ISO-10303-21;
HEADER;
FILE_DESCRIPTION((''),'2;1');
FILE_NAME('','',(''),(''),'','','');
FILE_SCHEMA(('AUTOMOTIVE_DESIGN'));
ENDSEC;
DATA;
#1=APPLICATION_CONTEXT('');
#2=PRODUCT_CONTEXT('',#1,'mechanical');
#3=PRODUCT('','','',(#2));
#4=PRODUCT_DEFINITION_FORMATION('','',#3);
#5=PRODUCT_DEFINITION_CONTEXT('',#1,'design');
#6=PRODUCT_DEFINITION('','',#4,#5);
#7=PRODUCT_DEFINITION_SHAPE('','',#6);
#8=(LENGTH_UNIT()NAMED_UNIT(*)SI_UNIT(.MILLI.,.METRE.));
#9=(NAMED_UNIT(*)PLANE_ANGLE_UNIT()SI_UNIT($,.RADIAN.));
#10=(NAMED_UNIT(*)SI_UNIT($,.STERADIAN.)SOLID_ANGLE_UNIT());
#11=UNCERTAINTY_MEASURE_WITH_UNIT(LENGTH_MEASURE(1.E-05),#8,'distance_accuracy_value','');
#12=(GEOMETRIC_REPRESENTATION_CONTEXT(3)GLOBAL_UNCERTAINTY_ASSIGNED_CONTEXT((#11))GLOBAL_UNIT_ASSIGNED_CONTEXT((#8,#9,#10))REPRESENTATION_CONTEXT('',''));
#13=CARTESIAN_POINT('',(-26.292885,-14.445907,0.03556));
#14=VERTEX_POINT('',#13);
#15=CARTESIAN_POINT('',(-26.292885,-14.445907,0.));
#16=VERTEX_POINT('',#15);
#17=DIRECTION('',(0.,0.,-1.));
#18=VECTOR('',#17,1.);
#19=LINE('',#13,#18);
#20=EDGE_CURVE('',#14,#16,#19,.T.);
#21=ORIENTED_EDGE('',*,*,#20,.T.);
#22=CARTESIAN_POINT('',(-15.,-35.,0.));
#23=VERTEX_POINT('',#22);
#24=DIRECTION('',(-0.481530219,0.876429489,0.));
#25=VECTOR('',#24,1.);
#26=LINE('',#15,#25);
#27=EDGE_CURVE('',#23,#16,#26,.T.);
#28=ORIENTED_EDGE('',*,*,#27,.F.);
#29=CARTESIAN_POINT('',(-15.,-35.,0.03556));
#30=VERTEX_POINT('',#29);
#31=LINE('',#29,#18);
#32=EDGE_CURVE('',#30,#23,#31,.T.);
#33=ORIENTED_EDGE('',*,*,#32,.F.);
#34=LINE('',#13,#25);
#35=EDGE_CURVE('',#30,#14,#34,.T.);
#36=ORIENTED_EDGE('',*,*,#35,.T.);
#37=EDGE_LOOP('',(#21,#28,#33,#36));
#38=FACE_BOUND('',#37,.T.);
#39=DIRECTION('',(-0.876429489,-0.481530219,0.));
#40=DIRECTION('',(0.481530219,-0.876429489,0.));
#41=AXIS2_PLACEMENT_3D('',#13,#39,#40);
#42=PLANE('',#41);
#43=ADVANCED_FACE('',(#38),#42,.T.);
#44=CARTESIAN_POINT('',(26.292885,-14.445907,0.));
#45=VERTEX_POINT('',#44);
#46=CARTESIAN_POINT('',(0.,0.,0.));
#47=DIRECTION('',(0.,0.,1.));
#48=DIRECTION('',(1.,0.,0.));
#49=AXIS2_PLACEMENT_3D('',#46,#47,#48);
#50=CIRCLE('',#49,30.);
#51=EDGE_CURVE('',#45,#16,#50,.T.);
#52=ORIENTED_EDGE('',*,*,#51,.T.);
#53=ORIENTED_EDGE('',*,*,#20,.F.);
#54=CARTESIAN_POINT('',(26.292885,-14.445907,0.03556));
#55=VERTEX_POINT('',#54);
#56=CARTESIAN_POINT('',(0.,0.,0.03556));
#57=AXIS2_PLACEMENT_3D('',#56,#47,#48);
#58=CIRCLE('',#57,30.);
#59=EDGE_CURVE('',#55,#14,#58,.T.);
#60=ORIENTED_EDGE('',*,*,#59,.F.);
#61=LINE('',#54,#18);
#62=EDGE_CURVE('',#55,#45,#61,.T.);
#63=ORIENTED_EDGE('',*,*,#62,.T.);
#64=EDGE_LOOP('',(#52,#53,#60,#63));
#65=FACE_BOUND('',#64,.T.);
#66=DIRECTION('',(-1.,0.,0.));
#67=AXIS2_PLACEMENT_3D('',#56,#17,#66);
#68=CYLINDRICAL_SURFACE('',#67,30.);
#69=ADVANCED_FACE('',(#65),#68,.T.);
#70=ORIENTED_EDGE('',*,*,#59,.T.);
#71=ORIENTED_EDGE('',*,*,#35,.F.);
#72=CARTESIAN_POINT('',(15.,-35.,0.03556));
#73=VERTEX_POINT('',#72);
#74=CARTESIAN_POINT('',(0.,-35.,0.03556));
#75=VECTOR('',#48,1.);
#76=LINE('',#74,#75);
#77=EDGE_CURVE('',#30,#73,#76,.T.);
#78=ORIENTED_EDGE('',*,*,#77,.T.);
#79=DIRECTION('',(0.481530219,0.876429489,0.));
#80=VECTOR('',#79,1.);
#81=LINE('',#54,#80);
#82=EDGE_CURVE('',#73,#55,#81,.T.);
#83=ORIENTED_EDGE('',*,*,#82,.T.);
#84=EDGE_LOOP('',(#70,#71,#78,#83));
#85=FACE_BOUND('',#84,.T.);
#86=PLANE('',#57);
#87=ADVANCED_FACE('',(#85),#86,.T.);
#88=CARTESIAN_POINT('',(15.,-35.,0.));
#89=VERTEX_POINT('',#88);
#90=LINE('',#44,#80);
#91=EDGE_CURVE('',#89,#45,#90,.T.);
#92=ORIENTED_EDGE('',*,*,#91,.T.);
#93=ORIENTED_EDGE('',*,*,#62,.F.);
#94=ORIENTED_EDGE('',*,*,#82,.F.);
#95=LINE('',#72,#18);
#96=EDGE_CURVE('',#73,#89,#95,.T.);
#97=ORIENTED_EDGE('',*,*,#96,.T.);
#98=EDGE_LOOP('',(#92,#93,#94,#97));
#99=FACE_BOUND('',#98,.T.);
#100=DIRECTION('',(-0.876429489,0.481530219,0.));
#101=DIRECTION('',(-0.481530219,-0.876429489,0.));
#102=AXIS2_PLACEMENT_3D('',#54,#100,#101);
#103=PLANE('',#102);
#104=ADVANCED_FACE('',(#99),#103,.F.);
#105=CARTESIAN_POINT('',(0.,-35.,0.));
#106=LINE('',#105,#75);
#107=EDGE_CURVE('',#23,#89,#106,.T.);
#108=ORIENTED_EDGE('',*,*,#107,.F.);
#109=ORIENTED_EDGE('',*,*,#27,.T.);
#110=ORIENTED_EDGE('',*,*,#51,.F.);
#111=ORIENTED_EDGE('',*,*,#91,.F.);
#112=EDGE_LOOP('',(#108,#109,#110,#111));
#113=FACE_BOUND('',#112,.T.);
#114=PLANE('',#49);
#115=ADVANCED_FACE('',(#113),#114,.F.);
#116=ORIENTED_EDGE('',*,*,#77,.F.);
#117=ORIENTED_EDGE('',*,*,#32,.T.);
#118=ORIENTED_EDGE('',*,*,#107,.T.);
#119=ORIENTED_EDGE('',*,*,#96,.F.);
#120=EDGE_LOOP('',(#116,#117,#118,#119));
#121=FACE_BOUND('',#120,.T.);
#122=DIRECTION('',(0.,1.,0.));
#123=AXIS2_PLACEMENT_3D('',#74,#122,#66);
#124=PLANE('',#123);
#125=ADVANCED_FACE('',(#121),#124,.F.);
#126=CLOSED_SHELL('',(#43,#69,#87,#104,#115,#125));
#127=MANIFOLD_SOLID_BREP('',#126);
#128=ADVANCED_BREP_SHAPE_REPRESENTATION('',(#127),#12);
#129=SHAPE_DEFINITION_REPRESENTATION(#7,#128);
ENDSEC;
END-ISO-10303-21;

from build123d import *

# Parameters (mm, degrees)
BOSS_EXTRUDE1_DEPTH = 0.03556


with BuildPart() as part:
    # Sketch1 → Boss-Extrude1 (new body)
    with BuildSketch(Plane.XY):
        with BuildLine():
            Line((-15, -35.000000034), (15, -35.000000034))
            Line((15, -35.000000034), (26.292884658, -14.445906561))
            ThreePointArc((26.292884658, -14.445906561), (0, 30), (-26.292884658, -14.445906561))
            Line((-26.292884658, -14.445906561), (-15, -35.000000034))
        make_face()
    extrude(amount=BOSS_EXTRUDE1_DEPTH)


solid = part.part
